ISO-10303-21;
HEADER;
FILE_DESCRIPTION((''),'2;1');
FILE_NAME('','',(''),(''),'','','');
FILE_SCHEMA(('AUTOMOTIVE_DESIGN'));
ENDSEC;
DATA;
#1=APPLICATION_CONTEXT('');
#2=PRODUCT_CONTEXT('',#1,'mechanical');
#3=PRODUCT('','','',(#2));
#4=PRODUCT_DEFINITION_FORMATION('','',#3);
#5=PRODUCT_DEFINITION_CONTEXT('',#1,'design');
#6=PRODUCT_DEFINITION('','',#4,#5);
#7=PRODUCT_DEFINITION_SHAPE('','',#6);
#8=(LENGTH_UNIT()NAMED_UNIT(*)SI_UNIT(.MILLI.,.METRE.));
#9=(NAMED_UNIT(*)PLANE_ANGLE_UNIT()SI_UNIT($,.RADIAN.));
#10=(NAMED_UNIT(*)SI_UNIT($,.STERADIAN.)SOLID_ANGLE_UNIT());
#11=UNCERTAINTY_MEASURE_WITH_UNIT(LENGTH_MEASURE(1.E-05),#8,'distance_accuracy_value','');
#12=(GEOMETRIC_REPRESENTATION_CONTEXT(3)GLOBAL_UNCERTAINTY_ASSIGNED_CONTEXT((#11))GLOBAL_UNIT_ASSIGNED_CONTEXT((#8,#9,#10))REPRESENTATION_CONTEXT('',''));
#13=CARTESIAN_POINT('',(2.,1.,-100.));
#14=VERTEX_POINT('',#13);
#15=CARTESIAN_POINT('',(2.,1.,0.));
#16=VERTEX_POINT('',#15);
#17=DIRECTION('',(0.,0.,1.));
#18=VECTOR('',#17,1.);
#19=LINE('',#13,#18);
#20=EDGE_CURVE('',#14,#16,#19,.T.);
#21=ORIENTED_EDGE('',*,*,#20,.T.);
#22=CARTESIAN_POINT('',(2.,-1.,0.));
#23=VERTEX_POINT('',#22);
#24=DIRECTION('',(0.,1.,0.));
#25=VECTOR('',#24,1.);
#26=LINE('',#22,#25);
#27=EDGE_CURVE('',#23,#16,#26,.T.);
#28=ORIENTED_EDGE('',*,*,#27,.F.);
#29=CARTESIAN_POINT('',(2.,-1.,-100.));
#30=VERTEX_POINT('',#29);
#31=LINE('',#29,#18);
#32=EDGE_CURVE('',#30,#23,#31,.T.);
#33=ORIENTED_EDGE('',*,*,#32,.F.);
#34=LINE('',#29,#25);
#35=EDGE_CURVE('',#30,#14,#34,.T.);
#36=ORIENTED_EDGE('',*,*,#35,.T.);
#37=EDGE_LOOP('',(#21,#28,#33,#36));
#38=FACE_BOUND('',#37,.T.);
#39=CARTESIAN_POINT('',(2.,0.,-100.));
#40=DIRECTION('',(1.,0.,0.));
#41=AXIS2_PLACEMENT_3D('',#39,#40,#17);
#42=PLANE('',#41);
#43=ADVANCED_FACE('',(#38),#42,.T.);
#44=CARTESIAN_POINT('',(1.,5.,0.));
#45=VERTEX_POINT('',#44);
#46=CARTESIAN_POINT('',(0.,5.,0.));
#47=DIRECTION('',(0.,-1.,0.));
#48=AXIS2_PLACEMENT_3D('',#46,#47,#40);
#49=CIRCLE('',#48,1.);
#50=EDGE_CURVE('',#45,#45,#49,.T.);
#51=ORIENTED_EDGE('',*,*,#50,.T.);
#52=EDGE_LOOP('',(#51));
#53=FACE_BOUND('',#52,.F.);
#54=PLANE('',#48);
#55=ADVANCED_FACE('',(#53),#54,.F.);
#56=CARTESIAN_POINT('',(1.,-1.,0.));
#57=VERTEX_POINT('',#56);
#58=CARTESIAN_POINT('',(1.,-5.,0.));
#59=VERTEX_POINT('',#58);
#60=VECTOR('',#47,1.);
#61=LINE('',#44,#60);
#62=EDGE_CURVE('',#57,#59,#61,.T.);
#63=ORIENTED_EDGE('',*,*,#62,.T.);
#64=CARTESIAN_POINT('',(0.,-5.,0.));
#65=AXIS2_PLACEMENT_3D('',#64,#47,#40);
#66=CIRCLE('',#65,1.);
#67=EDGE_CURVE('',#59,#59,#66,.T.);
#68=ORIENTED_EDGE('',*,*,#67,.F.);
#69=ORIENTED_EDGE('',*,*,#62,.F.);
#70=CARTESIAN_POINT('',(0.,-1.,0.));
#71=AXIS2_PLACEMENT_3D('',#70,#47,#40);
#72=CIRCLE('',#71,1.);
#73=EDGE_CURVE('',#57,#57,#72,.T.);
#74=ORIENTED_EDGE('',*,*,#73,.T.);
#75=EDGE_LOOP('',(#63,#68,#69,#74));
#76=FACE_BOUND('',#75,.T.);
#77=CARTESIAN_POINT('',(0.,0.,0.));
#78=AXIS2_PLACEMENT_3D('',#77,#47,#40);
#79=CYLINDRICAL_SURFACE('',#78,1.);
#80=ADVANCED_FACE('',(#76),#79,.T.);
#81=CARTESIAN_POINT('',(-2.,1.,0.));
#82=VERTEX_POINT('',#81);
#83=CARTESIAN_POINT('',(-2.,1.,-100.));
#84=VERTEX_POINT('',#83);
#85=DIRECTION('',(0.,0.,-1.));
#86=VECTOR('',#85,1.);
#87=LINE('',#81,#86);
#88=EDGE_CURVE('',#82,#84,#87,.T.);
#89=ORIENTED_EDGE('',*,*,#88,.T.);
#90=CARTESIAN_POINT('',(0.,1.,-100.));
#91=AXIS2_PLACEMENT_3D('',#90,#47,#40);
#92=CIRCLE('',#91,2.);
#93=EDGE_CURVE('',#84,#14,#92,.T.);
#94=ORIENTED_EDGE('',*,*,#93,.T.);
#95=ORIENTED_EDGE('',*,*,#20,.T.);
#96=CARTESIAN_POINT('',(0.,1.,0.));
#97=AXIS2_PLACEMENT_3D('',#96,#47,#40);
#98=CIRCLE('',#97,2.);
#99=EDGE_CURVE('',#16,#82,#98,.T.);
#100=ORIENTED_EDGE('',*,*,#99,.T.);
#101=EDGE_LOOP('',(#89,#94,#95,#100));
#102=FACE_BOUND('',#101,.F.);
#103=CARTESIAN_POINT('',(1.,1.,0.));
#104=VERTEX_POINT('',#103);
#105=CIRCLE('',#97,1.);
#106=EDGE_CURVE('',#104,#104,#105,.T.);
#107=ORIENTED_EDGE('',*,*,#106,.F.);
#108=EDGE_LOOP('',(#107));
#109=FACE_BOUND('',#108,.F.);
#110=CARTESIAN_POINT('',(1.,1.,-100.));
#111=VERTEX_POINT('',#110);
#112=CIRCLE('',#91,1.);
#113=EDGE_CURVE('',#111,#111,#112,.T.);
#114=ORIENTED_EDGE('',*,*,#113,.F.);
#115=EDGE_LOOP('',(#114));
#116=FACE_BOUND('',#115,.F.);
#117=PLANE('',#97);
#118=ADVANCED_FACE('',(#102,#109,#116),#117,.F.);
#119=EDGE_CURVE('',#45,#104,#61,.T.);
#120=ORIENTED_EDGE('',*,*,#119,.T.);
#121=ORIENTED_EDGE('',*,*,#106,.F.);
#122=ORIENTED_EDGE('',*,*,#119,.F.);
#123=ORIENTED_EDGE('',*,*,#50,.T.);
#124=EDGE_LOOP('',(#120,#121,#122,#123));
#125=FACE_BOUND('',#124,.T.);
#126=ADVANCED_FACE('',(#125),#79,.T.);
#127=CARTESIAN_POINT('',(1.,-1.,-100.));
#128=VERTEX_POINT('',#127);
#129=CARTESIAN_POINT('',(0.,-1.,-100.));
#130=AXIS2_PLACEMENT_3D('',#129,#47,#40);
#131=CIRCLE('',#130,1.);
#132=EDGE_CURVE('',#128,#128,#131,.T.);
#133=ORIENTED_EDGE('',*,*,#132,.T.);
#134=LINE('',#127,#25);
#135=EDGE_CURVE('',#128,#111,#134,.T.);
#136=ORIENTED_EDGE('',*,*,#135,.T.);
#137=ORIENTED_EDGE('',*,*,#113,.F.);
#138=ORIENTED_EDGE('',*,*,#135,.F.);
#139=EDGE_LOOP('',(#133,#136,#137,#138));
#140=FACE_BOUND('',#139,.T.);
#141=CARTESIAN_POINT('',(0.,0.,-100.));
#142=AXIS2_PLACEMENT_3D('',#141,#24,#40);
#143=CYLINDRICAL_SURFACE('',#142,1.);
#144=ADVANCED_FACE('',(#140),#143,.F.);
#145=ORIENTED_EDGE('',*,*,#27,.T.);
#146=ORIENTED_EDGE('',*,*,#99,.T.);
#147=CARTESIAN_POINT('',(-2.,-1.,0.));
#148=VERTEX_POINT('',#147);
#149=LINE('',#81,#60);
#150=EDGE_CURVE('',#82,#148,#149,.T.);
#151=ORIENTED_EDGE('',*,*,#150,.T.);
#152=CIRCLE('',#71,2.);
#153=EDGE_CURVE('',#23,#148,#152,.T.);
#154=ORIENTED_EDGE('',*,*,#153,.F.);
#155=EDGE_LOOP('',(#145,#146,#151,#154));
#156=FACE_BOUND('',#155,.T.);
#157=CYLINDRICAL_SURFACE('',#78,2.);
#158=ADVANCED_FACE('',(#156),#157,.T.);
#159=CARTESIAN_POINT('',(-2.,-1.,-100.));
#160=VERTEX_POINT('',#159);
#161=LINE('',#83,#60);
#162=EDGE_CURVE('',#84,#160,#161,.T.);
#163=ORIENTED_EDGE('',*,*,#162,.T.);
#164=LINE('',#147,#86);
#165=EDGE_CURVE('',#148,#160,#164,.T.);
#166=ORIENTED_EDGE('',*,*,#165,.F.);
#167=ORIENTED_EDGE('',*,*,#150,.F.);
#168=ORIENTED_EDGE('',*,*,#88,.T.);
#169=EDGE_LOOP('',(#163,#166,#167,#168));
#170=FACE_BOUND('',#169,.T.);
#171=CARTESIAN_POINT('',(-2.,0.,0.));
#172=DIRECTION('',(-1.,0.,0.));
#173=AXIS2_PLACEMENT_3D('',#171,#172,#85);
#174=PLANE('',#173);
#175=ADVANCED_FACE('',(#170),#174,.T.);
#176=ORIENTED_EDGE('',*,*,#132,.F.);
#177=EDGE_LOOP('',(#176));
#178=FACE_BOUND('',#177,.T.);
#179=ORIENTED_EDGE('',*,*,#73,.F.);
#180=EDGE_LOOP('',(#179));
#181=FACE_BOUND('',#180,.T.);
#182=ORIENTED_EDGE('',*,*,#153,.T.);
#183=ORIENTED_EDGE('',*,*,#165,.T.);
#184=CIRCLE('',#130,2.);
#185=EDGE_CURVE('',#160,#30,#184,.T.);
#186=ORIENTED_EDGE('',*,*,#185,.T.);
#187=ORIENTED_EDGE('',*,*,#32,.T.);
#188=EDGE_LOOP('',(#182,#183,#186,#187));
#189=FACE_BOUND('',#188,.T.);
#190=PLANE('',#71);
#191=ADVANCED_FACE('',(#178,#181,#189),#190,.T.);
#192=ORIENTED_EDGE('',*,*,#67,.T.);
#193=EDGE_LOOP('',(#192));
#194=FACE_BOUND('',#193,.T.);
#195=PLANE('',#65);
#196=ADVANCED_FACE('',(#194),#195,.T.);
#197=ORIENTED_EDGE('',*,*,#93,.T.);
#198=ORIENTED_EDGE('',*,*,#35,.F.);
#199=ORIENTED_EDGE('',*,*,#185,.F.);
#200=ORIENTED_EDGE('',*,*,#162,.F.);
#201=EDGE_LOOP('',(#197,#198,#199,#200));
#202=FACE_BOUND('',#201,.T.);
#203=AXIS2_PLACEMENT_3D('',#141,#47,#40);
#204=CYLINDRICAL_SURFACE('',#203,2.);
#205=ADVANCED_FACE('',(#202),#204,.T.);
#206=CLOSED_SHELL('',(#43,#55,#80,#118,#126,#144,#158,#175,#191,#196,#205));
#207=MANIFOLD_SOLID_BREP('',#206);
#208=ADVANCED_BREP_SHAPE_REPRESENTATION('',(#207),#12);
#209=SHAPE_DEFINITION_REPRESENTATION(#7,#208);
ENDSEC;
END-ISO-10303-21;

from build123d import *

# Parameters (mm, degrees)
F0_R     = 1
F1_DEPTH = 1
F2_DEPTH = 5


with BuildPart() as f1:
    # F0 (on Front) → F1 (new body, symmetric)
    with BuildSketch(Plane.XZ):
        with BuildLine():
            ThreePointArc((-2, 0), (0, -2), (2, 0))
            ThreePointArc((2, 0), (0, 2), (-2, 0))
        make_face()
        Circle(F0_R, mode=Mode.SUBTRACT)
        with BuildLine():
            Line((2, -100), (2, 0))
            ThreePointArc((2, 0), (0, -2), (-2, 0))
            Line((-2, 0), (-2, -100))
            ThreePointArc((-2, -100), (0, -98), (2, -100))
        make_face()
        with BuildLine():
            ThreePointArc((-2, -100), (0, -102), (2, -100))
            ThreePointArc((2, -100), (0, -98), (-2, -100))
        make_face()
        with Locations((0, -100)):
            Circle(F0_R, mode=Mode.SUBTRACT)
    extrude(amount=F1_DEPTH, both=True)

    # F0 (on Front) → F2 (join, symmetric)
    with BuildSketch(Plane.XZ):
        Circle(F0_R)
    extrude(amount=F2_DEPTH, both=True)


solid = f1.part
